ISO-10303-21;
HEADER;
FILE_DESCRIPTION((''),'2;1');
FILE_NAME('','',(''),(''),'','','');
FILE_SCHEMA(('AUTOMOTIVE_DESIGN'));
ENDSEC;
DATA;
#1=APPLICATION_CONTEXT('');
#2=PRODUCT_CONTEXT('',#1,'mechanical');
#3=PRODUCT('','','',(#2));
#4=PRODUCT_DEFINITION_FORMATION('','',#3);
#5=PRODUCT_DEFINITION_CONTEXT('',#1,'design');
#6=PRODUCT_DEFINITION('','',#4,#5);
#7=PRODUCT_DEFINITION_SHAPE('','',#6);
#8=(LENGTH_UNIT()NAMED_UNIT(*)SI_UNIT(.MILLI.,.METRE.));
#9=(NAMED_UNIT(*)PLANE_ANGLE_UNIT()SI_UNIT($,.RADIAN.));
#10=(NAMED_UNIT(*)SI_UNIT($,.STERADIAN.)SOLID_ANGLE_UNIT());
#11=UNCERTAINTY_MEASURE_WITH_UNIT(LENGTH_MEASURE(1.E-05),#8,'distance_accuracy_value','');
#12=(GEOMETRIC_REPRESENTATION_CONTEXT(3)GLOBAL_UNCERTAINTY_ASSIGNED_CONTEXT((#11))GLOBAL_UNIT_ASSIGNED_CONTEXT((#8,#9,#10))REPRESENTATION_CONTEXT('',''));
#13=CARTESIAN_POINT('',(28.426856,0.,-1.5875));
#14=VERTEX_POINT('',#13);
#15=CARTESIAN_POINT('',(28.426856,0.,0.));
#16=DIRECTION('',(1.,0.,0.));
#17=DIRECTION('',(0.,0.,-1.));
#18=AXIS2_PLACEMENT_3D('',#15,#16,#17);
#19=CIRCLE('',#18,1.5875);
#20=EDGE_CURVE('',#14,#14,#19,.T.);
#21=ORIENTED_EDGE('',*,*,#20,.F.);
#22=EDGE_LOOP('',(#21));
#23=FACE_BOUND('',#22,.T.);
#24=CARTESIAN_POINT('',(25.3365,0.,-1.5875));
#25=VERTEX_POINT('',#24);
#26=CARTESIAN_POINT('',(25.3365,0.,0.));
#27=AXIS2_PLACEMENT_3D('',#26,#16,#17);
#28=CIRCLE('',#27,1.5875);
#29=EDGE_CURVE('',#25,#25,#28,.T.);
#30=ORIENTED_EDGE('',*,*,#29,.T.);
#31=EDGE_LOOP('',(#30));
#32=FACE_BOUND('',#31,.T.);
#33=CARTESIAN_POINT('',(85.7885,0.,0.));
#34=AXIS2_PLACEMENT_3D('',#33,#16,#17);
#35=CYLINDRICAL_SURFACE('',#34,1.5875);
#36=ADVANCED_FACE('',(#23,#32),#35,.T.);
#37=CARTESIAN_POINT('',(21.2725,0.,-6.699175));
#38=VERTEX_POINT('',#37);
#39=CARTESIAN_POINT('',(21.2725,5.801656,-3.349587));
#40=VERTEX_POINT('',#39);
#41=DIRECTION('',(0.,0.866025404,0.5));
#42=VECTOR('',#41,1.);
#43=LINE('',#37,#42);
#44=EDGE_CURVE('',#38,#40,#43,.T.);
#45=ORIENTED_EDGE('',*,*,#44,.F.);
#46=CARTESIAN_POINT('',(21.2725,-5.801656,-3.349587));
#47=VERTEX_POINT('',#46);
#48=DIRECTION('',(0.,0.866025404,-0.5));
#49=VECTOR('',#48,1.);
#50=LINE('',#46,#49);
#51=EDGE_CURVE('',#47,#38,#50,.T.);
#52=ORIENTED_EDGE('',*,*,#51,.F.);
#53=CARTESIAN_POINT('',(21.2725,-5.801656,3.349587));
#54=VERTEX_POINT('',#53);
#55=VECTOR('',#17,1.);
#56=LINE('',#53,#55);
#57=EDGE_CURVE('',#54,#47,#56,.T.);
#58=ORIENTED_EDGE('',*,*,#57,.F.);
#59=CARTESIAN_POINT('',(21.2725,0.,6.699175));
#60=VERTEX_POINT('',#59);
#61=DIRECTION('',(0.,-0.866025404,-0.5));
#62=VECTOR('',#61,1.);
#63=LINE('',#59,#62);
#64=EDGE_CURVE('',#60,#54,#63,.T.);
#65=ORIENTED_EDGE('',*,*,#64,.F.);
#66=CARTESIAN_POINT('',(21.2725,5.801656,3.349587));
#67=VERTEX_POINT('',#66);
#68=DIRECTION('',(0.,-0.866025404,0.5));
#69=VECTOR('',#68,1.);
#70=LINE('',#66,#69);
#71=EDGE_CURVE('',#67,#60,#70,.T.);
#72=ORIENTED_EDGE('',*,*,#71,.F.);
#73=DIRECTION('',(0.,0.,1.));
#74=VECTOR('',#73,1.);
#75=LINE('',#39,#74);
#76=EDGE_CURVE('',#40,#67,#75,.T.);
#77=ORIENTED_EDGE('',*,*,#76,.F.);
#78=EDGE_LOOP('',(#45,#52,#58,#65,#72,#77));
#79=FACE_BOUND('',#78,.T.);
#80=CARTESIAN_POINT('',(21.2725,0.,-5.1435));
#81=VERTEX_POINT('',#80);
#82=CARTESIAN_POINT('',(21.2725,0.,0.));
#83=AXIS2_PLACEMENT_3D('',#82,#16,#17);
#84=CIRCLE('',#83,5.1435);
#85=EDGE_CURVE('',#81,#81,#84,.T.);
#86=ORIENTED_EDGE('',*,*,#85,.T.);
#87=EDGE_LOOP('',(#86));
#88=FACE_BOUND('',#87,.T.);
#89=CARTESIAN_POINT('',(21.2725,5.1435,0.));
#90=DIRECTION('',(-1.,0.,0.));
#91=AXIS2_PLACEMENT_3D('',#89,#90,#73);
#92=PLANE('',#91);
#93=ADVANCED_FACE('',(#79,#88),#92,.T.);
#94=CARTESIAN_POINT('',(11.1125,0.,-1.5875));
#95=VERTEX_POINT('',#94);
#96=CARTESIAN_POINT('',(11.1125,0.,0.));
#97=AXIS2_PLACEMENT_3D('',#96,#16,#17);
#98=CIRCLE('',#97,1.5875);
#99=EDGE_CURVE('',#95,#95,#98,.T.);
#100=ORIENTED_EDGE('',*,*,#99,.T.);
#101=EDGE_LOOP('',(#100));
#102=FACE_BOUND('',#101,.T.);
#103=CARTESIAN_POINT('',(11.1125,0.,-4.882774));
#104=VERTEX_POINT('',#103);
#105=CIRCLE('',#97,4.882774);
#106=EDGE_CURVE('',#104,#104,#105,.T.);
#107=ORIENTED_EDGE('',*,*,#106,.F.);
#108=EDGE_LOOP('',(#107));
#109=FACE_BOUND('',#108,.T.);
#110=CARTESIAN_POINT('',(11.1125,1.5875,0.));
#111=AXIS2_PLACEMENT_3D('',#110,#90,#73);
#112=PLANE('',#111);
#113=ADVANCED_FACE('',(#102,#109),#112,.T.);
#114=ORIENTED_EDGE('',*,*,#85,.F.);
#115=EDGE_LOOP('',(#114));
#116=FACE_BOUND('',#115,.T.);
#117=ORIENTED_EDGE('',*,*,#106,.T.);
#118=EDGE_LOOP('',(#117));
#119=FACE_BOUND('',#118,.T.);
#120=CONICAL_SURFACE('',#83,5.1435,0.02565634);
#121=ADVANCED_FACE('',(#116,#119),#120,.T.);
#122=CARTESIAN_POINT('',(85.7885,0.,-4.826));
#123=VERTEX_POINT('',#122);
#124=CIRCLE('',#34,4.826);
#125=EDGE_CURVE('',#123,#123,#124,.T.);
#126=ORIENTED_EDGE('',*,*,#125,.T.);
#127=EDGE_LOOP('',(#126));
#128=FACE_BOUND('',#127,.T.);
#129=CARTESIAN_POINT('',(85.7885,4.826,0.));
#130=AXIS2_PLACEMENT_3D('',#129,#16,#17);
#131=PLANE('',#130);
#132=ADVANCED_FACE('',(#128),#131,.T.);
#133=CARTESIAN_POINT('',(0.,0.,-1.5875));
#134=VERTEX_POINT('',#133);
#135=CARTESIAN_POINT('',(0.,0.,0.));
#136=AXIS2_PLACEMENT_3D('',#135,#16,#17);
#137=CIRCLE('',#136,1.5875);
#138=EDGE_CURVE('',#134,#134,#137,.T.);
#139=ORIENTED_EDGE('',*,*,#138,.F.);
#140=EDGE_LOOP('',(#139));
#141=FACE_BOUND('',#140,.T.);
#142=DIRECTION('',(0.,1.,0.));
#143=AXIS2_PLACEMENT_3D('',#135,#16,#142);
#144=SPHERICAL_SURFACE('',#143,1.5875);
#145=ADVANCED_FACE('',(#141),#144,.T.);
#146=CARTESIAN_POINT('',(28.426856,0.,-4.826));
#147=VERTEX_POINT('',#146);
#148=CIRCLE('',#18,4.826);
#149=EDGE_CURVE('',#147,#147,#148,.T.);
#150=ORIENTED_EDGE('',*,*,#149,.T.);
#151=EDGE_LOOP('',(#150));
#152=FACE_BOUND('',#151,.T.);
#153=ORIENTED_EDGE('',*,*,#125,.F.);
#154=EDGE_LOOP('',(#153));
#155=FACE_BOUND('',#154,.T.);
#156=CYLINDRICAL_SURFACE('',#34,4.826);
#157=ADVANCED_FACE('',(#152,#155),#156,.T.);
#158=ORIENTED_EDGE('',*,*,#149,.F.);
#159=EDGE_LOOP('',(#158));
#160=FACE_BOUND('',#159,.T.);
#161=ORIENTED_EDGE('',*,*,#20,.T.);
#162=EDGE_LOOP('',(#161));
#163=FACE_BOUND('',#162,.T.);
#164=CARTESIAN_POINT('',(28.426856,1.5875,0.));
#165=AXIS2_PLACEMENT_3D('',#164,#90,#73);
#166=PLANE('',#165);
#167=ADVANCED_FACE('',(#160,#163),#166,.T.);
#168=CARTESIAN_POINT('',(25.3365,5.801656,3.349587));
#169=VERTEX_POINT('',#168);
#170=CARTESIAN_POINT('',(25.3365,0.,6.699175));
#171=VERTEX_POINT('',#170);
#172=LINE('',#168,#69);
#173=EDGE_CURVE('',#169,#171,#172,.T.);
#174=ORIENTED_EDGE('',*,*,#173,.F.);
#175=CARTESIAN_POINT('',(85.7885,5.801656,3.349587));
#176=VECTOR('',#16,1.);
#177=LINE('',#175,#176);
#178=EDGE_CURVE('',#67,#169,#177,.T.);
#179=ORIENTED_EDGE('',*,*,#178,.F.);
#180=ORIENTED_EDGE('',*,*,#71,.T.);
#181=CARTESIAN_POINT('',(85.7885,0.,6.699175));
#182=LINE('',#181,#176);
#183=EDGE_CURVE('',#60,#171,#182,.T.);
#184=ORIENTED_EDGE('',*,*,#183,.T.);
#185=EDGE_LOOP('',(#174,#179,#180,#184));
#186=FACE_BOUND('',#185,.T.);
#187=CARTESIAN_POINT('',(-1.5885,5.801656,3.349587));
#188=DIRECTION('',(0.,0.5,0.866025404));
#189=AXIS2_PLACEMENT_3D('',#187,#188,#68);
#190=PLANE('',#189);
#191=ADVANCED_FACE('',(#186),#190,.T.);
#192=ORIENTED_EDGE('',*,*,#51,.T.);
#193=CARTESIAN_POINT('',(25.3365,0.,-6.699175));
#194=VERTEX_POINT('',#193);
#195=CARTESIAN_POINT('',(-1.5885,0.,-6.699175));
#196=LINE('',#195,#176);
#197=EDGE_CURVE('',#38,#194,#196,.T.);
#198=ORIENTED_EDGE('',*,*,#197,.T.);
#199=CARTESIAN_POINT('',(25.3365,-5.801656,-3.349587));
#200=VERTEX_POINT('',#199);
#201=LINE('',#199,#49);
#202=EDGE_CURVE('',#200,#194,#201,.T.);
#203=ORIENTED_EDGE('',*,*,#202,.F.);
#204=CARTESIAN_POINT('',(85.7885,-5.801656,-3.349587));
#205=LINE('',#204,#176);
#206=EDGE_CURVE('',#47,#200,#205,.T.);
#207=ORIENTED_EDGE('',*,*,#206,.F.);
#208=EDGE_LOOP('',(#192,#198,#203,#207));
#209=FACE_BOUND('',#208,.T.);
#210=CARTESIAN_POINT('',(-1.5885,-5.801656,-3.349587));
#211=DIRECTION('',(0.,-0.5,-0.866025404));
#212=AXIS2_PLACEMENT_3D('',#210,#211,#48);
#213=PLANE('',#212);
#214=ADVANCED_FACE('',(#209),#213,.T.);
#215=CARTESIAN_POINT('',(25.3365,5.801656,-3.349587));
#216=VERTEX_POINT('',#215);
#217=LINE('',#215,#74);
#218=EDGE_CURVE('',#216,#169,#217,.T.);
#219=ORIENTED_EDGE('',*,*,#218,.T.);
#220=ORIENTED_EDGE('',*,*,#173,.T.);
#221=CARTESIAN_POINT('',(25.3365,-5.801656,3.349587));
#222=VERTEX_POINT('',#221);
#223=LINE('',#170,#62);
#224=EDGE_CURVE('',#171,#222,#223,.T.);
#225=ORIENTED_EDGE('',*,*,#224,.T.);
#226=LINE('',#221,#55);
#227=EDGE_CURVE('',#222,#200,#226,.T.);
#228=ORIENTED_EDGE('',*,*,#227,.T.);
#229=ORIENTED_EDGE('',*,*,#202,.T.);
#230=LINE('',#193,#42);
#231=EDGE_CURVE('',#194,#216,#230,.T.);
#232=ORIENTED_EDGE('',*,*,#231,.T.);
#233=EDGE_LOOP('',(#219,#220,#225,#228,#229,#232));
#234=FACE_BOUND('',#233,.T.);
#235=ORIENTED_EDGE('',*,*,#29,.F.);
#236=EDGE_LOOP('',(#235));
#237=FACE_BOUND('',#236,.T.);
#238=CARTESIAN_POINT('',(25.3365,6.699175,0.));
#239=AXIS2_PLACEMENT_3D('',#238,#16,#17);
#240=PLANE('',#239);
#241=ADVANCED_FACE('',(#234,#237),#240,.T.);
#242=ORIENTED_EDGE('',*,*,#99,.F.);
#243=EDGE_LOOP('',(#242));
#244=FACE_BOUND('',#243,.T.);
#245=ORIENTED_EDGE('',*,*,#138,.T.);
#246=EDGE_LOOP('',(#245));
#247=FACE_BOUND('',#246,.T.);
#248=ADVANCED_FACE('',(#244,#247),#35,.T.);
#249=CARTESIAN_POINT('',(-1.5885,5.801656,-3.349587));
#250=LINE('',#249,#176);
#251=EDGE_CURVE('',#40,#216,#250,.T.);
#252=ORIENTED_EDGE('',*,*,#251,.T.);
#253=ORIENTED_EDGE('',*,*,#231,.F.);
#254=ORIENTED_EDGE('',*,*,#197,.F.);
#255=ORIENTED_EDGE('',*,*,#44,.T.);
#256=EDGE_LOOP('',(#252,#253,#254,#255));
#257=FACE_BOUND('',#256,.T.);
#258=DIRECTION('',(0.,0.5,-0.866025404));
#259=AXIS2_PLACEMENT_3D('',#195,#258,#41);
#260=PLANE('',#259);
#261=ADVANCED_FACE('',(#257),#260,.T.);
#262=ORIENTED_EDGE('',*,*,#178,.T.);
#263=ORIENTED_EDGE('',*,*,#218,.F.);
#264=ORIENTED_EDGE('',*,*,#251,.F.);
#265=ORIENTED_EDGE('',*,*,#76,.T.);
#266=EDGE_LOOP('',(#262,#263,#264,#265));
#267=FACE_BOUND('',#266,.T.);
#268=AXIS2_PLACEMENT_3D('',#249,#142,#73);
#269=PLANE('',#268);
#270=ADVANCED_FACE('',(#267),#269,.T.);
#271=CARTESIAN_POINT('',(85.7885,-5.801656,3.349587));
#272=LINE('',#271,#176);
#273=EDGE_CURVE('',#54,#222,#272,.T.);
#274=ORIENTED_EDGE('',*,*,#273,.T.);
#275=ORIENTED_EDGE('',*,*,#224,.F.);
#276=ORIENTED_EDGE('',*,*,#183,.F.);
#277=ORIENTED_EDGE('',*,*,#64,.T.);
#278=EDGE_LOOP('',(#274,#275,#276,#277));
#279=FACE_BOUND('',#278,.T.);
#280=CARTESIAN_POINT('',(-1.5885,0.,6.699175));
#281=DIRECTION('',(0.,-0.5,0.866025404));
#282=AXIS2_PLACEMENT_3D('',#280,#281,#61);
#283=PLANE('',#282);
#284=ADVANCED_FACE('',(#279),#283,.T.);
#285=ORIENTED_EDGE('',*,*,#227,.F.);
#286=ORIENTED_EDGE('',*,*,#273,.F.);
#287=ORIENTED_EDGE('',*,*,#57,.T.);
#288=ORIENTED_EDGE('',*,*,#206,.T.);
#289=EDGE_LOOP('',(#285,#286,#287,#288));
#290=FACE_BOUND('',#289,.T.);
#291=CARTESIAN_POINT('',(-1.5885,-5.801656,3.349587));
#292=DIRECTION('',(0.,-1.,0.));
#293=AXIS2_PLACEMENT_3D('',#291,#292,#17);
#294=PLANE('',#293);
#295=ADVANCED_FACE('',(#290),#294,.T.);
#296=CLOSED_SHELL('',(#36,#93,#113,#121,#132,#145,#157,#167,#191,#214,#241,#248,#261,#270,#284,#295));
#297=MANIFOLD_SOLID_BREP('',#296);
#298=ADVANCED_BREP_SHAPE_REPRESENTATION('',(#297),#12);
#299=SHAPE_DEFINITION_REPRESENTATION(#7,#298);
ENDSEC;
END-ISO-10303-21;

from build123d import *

# Parameters (mm, degrees)
CUT_EXTRUDE1_START = -4.064
SKETCH2_R          = 9.134112775
CUT_EXTRUDE1_DEPTH = 4.064


with BuildPart() as part:
    # Sketch1 → Revolve1 (revolve)
    with BuildSketch(Plane.XY):
        with BuildLine():
            Line((0, 1.5875), (11.1125, 1.5875))
            Line((11.1125, 1.5875), (11.1125, 4.882774376))
            Line((11.1125, 4.882774376), (21.2725, 5.1435))
            Line((21.2725, 5.1435), (21.2725, 6.699174823))
            Line((21.2725, 6.699174823), (25.3365, 6.699174823))
            Line((25.3365, 6.699174823), (25.3365, 1.5875))
            Line((25.3365, 1.5875), (28.426855679, 1.5875))
            Line((28.426855679, 1.5875), (28.426855679, 4.826))
            Line((28.426855679, 4.826), (85.7885, 4.826))
            Line((85.7885, 4.826), (85.7885, 0))
            Line((85.7885, 0), (0, 0))
            Line((0, 0), (-1.5875, 0))
            ThreePointArc((-1.5875, 0), (-1.122532015, 1.122532015), (0, 1.5875))
        make_face()
    revolve(axis=Axis((85.7885, 0, 0), (-1, 0, 0)))

    # Sketch2 → Cut-Extrude1 (cut)
    with BuildSketch(Plane(origin=(25.3365, 0, 0), x_dir=(0, 0, -1), z_dir=(1, 0, 0)).offset(CUT_EXTRUDE1_START)):
        Circle(SKETCH2_R)
        Polygon((6.699174823, 0), (3.349587412, 5.801655581), (-3.349587412, 5.801655581), (-6.699174823, 0), (-3.349587412, -5.801655581), (3.349587412, -5.801655581), align=None, mode=Mode.SUBTRACT)
    extrude(amount=CUT_EXTRUDE1_DEPTH, mode=Mode.SUBTRACT)


solid = part.part
